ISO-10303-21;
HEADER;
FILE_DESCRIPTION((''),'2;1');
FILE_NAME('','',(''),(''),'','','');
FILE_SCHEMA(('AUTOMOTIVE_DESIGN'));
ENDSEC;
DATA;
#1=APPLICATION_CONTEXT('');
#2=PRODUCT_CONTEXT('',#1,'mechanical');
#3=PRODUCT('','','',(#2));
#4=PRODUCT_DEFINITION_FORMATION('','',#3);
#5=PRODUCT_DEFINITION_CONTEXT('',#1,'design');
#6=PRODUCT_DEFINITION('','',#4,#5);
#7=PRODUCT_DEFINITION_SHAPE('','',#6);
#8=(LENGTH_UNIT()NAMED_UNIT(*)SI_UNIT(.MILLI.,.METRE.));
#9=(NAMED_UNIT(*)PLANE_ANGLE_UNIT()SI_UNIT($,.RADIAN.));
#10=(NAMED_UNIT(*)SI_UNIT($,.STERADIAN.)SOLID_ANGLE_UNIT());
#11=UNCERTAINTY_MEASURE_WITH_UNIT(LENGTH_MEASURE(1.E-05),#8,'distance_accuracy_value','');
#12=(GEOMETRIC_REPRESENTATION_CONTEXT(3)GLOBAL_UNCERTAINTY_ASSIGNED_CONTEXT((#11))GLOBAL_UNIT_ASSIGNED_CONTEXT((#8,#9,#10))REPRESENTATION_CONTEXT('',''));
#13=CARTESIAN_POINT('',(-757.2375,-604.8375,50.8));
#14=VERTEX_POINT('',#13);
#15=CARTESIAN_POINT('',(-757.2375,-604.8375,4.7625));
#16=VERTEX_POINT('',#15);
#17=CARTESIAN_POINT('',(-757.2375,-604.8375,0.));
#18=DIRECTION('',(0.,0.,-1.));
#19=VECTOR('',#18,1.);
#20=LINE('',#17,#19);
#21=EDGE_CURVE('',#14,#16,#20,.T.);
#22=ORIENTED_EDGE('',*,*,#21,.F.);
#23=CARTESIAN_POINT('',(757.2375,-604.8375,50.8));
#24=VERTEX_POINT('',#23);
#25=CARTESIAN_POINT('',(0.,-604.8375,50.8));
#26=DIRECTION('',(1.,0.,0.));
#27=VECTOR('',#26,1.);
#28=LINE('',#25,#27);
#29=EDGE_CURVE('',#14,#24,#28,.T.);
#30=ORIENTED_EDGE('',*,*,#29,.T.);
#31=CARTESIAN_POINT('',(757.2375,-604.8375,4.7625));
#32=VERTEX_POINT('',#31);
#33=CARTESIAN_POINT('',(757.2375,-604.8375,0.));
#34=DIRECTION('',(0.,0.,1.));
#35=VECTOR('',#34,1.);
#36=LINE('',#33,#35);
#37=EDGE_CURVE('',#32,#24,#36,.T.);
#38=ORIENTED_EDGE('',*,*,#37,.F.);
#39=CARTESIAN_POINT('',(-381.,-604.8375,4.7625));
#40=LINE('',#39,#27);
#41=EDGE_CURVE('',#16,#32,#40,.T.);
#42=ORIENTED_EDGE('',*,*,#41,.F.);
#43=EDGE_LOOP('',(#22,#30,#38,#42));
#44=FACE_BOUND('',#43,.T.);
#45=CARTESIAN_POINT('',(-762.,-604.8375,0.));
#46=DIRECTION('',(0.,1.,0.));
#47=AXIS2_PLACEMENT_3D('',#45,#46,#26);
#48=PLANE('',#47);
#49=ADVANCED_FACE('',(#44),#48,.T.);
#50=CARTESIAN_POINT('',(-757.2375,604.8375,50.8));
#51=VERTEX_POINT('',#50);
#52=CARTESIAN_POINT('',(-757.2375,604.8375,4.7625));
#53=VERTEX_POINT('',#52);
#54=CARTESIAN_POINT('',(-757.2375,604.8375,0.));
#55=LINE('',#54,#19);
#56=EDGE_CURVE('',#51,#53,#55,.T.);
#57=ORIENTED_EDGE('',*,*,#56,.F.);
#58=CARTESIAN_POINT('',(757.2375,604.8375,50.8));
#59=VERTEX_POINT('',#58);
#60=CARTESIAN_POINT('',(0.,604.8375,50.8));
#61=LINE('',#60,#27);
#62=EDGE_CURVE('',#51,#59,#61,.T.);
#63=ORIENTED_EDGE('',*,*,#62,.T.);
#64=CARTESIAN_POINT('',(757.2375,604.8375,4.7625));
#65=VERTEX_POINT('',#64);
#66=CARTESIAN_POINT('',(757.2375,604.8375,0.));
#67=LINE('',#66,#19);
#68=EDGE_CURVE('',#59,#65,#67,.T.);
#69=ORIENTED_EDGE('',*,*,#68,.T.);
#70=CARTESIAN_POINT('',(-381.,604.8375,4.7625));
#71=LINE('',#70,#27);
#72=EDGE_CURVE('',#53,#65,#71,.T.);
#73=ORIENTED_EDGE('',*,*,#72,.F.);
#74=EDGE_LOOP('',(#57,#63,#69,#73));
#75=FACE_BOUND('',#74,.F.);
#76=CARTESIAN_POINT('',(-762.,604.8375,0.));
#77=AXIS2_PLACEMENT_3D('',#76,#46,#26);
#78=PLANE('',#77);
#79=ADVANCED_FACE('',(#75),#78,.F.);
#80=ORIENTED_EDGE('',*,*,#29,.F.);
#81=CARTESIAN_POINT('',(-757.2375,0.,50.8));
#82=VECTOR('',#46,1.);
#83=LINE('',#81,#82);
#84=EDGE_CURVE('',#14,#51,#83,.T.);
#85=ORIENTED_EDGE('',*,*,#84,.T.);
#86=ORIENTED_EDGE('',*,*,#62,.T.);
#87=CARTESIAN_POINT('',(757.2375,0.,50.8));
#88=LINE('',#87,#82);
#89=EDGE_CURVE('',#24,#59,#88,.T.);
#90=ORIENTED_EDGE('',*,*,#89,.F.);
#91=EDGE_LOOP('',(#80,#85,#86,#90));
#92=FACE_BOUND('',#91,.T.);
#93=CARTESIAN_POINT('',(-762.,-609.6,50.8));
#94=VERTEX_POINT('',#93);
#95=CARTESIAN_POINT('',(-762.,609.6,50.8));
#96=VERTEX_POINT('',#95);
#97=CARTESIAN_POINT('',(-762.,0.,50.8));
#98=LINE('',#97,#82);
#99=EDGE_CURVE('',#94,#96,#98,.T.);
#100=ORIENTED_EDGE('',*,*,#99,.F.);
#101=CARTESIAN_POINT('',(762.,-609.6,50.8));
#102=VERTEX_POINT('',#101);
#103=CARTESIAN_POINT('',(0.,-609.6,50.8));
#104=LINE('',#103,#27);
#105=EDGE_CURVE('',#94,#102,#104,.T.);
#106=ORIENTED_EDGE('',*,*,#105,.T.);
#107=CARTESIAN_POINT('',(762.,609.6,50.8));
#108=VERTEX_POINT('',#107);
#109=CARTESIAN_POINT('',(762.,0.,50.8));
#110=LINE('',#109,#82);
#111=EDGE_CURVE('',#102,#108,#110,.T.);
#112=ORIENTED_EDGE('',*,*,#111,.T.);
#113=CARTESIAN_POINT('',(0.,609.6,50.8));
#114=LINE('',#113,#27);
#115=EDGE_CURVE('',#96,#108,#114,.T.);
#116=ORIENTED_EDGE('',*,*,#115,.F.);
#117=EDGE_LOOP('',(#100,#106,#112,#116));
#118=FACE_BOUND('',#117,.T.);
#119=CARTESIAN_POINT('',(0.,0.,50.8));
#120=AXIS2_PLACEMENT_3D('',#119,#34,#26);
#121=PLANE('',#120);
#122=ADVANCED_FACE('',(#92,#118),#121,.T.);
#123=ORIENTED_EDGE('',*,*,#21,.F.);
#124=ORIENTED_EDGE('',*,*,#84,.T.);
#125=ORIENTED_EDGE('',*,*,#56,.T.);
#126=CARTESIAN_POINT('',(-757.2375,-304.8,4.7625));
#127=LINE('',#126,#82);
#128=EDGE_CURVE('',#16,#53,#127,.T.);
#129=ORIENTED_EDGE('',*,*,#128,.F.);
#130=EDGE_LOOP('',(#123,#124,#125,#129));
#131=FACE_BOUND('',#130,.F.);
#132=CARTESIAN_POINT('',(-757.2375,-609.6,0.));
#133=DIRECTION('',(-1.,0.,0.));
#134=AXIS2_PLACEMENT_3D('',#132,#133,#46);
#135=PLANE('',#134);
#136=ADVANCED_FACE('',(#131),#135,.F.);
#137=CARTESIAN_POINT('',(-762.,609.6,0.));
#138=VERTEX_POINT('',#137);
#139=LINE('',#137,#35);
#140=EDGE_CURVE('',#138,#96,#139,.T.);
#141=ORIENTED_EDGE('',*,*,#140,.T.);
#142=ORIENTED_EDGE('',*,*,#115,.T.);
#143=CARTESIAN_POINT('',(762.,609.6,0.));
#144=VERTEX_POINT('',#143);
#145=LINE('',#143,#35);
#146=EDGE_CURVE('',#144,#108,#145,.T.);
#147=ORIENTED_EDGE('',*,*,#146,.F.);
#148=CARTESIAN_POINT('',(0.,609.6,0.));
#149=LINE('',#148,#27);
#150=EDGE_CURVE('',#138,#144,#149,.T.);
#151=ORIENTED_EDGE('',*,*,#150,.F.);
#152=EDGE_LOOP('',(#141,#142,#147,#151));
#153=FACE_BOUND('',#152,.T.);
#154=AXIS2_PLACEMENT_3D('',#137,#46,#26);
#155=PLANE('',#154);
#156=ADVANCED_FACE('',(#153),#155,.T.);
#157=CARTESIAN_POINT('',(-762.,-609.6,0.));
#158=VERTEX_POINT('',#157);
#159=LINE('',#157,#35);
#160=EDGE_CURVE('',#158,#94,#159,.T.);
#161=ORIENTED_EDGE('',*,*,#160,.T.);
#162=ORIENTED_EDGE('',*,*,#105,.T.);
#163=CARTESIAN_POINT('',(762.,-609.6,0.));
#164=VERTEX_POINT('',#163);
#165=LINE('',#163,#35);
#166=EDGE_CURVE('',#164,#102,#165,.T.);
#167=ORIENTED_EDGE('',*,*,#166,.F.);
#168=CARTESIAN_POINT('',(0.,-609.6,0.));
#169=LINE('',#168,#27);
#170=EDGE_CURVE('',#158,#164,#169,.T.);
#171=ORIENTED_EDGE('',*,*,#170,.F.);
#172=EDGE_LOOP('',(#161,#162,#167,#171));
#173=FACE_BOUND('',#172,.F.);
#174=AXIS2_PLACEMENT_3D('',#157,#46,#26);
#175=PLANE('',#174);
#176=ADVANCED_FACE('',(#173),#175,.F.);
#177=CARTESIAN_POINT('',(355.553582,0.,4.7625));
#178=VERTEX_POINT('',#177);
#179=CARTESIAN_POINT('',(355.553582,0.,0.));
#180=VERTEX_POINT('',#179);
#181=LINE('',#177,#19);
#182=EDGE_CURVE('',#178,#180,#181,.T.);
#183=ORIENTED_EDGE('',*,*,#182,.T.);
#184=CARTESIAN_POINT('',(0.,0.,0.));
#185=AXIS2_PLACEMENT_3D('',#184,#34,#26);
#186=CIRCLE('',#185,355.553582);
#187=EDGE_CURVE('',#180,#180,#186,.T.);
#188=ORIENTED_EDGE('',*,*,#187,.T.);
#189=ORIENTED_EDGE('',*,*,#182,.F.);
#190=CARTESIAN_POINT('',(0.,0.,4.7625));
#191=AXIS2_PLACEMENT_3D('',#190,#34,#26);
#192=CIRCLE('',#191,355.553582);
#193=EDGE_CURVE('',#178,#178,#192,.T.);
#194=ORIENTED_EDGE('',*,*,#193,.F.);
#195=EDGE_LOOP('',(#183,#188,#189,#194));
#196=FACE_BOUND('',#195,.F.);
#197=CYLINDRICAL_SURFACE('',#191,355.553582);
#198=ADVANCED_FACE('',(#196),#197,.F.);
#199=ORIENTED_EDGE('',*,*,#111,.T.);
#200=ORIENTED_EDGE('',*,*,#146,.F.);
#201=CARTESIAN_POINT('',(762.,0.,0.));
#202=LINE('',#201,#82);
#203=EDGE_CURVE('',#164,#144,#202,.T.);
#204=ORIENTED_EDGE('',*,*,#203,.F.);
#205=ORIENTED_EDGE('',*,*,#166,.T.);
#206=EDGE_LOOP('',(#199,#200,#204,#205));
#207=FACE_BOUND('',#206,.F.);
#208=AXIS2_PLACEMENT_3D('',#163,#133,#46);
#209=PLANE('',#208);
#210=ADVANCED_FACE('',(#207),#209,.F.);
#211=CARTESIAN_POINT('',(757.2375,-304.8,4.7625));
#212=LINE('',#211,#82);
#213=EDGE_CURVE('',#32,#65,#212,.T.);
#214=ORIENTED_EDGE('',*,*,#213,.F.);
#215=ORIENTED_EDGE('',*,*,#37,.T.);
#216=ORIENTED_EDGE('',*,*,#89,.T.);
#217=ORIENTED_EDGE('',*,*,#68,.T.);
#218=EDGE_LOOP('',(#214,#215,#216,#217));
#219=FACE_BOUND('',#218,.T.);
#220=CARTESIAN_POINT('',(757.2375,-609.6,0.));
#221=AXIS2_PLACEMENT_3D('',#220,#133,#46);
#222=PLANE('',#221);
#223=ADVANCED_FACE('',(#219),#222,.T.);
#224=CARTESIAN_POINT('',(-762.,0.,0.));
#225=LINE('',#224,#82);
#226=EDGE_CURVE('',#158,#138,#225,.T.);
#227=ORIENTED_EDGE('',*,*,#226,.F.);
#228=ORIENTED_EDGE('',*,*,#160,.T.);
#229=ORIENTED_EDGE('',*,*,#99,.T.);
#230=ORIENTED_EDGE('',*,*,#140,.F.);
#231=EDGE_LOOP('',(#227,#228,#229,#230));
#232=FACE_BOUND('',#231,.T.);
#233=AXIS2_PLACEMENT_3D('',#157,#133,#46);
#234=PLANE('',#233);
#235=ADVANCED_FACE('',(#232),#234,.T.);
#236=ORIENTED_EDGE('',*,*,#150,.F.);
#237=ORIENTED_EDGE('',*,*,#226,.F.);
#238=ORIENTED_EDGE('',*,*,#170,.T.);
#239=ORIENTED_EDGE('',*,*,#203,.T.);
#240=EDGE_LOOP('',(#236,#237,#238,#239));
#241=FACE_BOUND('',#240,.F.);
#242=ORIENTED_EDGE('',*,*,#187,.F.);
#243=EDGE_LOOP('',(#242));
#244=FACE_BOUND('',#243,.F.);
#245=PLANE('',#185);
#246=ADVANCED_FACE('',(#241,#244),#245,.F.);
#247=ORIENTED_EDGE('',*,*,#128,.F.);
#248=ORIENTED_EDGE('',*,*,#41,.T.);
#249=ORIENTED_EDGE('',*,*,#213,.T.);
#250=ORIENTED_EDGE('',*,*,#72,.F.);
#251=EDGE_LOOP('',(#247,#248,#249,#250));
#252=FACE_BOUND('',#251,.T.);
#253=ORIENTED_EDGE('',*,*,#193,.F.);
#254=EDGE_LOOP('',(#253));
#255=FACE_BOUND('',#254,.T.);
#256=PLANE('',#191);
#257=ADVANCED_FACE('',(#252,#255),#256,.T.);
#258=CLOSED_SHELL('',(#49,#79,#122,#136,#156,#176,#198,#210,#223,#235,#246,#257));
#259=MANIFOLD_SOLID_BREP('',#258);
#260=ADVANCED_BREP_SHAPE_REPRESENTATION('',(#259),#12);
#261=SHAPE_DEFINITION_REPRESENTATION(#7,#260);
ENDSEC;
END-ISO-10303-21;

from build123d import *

# Parameters (mm, degrees)
F0_W     = 1524
F0_H     = 1219.2
F1_DEPTH = 50.8
F2_T     = -4.7625
F4_R     = 355.553582
F5_DEPTH = 25.4


with BuildPart() as f1:
    # F0 (on Top) → F1 (new body)
    with BuildSketch(Plane.XY):
        Rectangle(F0_W, F0_H)
    extrude(amount=F1_DEPTH)

    # F2
    f2_openings = [f1.faces().sort_by_distance(p)[0] for p in [
        (0, 0, 50.8),
    ]]
    offset(amount=F2_T, openings=f2_openings)

    # F4 (on face) → F5 (cut)
    with BuildSketch(Plane.XY.offset(4.7625)):
        Circle(F4_R)
    extrude(amount=-F5_DEPTH, mode=Mode.SUBTRACT)


solid = f1.part
